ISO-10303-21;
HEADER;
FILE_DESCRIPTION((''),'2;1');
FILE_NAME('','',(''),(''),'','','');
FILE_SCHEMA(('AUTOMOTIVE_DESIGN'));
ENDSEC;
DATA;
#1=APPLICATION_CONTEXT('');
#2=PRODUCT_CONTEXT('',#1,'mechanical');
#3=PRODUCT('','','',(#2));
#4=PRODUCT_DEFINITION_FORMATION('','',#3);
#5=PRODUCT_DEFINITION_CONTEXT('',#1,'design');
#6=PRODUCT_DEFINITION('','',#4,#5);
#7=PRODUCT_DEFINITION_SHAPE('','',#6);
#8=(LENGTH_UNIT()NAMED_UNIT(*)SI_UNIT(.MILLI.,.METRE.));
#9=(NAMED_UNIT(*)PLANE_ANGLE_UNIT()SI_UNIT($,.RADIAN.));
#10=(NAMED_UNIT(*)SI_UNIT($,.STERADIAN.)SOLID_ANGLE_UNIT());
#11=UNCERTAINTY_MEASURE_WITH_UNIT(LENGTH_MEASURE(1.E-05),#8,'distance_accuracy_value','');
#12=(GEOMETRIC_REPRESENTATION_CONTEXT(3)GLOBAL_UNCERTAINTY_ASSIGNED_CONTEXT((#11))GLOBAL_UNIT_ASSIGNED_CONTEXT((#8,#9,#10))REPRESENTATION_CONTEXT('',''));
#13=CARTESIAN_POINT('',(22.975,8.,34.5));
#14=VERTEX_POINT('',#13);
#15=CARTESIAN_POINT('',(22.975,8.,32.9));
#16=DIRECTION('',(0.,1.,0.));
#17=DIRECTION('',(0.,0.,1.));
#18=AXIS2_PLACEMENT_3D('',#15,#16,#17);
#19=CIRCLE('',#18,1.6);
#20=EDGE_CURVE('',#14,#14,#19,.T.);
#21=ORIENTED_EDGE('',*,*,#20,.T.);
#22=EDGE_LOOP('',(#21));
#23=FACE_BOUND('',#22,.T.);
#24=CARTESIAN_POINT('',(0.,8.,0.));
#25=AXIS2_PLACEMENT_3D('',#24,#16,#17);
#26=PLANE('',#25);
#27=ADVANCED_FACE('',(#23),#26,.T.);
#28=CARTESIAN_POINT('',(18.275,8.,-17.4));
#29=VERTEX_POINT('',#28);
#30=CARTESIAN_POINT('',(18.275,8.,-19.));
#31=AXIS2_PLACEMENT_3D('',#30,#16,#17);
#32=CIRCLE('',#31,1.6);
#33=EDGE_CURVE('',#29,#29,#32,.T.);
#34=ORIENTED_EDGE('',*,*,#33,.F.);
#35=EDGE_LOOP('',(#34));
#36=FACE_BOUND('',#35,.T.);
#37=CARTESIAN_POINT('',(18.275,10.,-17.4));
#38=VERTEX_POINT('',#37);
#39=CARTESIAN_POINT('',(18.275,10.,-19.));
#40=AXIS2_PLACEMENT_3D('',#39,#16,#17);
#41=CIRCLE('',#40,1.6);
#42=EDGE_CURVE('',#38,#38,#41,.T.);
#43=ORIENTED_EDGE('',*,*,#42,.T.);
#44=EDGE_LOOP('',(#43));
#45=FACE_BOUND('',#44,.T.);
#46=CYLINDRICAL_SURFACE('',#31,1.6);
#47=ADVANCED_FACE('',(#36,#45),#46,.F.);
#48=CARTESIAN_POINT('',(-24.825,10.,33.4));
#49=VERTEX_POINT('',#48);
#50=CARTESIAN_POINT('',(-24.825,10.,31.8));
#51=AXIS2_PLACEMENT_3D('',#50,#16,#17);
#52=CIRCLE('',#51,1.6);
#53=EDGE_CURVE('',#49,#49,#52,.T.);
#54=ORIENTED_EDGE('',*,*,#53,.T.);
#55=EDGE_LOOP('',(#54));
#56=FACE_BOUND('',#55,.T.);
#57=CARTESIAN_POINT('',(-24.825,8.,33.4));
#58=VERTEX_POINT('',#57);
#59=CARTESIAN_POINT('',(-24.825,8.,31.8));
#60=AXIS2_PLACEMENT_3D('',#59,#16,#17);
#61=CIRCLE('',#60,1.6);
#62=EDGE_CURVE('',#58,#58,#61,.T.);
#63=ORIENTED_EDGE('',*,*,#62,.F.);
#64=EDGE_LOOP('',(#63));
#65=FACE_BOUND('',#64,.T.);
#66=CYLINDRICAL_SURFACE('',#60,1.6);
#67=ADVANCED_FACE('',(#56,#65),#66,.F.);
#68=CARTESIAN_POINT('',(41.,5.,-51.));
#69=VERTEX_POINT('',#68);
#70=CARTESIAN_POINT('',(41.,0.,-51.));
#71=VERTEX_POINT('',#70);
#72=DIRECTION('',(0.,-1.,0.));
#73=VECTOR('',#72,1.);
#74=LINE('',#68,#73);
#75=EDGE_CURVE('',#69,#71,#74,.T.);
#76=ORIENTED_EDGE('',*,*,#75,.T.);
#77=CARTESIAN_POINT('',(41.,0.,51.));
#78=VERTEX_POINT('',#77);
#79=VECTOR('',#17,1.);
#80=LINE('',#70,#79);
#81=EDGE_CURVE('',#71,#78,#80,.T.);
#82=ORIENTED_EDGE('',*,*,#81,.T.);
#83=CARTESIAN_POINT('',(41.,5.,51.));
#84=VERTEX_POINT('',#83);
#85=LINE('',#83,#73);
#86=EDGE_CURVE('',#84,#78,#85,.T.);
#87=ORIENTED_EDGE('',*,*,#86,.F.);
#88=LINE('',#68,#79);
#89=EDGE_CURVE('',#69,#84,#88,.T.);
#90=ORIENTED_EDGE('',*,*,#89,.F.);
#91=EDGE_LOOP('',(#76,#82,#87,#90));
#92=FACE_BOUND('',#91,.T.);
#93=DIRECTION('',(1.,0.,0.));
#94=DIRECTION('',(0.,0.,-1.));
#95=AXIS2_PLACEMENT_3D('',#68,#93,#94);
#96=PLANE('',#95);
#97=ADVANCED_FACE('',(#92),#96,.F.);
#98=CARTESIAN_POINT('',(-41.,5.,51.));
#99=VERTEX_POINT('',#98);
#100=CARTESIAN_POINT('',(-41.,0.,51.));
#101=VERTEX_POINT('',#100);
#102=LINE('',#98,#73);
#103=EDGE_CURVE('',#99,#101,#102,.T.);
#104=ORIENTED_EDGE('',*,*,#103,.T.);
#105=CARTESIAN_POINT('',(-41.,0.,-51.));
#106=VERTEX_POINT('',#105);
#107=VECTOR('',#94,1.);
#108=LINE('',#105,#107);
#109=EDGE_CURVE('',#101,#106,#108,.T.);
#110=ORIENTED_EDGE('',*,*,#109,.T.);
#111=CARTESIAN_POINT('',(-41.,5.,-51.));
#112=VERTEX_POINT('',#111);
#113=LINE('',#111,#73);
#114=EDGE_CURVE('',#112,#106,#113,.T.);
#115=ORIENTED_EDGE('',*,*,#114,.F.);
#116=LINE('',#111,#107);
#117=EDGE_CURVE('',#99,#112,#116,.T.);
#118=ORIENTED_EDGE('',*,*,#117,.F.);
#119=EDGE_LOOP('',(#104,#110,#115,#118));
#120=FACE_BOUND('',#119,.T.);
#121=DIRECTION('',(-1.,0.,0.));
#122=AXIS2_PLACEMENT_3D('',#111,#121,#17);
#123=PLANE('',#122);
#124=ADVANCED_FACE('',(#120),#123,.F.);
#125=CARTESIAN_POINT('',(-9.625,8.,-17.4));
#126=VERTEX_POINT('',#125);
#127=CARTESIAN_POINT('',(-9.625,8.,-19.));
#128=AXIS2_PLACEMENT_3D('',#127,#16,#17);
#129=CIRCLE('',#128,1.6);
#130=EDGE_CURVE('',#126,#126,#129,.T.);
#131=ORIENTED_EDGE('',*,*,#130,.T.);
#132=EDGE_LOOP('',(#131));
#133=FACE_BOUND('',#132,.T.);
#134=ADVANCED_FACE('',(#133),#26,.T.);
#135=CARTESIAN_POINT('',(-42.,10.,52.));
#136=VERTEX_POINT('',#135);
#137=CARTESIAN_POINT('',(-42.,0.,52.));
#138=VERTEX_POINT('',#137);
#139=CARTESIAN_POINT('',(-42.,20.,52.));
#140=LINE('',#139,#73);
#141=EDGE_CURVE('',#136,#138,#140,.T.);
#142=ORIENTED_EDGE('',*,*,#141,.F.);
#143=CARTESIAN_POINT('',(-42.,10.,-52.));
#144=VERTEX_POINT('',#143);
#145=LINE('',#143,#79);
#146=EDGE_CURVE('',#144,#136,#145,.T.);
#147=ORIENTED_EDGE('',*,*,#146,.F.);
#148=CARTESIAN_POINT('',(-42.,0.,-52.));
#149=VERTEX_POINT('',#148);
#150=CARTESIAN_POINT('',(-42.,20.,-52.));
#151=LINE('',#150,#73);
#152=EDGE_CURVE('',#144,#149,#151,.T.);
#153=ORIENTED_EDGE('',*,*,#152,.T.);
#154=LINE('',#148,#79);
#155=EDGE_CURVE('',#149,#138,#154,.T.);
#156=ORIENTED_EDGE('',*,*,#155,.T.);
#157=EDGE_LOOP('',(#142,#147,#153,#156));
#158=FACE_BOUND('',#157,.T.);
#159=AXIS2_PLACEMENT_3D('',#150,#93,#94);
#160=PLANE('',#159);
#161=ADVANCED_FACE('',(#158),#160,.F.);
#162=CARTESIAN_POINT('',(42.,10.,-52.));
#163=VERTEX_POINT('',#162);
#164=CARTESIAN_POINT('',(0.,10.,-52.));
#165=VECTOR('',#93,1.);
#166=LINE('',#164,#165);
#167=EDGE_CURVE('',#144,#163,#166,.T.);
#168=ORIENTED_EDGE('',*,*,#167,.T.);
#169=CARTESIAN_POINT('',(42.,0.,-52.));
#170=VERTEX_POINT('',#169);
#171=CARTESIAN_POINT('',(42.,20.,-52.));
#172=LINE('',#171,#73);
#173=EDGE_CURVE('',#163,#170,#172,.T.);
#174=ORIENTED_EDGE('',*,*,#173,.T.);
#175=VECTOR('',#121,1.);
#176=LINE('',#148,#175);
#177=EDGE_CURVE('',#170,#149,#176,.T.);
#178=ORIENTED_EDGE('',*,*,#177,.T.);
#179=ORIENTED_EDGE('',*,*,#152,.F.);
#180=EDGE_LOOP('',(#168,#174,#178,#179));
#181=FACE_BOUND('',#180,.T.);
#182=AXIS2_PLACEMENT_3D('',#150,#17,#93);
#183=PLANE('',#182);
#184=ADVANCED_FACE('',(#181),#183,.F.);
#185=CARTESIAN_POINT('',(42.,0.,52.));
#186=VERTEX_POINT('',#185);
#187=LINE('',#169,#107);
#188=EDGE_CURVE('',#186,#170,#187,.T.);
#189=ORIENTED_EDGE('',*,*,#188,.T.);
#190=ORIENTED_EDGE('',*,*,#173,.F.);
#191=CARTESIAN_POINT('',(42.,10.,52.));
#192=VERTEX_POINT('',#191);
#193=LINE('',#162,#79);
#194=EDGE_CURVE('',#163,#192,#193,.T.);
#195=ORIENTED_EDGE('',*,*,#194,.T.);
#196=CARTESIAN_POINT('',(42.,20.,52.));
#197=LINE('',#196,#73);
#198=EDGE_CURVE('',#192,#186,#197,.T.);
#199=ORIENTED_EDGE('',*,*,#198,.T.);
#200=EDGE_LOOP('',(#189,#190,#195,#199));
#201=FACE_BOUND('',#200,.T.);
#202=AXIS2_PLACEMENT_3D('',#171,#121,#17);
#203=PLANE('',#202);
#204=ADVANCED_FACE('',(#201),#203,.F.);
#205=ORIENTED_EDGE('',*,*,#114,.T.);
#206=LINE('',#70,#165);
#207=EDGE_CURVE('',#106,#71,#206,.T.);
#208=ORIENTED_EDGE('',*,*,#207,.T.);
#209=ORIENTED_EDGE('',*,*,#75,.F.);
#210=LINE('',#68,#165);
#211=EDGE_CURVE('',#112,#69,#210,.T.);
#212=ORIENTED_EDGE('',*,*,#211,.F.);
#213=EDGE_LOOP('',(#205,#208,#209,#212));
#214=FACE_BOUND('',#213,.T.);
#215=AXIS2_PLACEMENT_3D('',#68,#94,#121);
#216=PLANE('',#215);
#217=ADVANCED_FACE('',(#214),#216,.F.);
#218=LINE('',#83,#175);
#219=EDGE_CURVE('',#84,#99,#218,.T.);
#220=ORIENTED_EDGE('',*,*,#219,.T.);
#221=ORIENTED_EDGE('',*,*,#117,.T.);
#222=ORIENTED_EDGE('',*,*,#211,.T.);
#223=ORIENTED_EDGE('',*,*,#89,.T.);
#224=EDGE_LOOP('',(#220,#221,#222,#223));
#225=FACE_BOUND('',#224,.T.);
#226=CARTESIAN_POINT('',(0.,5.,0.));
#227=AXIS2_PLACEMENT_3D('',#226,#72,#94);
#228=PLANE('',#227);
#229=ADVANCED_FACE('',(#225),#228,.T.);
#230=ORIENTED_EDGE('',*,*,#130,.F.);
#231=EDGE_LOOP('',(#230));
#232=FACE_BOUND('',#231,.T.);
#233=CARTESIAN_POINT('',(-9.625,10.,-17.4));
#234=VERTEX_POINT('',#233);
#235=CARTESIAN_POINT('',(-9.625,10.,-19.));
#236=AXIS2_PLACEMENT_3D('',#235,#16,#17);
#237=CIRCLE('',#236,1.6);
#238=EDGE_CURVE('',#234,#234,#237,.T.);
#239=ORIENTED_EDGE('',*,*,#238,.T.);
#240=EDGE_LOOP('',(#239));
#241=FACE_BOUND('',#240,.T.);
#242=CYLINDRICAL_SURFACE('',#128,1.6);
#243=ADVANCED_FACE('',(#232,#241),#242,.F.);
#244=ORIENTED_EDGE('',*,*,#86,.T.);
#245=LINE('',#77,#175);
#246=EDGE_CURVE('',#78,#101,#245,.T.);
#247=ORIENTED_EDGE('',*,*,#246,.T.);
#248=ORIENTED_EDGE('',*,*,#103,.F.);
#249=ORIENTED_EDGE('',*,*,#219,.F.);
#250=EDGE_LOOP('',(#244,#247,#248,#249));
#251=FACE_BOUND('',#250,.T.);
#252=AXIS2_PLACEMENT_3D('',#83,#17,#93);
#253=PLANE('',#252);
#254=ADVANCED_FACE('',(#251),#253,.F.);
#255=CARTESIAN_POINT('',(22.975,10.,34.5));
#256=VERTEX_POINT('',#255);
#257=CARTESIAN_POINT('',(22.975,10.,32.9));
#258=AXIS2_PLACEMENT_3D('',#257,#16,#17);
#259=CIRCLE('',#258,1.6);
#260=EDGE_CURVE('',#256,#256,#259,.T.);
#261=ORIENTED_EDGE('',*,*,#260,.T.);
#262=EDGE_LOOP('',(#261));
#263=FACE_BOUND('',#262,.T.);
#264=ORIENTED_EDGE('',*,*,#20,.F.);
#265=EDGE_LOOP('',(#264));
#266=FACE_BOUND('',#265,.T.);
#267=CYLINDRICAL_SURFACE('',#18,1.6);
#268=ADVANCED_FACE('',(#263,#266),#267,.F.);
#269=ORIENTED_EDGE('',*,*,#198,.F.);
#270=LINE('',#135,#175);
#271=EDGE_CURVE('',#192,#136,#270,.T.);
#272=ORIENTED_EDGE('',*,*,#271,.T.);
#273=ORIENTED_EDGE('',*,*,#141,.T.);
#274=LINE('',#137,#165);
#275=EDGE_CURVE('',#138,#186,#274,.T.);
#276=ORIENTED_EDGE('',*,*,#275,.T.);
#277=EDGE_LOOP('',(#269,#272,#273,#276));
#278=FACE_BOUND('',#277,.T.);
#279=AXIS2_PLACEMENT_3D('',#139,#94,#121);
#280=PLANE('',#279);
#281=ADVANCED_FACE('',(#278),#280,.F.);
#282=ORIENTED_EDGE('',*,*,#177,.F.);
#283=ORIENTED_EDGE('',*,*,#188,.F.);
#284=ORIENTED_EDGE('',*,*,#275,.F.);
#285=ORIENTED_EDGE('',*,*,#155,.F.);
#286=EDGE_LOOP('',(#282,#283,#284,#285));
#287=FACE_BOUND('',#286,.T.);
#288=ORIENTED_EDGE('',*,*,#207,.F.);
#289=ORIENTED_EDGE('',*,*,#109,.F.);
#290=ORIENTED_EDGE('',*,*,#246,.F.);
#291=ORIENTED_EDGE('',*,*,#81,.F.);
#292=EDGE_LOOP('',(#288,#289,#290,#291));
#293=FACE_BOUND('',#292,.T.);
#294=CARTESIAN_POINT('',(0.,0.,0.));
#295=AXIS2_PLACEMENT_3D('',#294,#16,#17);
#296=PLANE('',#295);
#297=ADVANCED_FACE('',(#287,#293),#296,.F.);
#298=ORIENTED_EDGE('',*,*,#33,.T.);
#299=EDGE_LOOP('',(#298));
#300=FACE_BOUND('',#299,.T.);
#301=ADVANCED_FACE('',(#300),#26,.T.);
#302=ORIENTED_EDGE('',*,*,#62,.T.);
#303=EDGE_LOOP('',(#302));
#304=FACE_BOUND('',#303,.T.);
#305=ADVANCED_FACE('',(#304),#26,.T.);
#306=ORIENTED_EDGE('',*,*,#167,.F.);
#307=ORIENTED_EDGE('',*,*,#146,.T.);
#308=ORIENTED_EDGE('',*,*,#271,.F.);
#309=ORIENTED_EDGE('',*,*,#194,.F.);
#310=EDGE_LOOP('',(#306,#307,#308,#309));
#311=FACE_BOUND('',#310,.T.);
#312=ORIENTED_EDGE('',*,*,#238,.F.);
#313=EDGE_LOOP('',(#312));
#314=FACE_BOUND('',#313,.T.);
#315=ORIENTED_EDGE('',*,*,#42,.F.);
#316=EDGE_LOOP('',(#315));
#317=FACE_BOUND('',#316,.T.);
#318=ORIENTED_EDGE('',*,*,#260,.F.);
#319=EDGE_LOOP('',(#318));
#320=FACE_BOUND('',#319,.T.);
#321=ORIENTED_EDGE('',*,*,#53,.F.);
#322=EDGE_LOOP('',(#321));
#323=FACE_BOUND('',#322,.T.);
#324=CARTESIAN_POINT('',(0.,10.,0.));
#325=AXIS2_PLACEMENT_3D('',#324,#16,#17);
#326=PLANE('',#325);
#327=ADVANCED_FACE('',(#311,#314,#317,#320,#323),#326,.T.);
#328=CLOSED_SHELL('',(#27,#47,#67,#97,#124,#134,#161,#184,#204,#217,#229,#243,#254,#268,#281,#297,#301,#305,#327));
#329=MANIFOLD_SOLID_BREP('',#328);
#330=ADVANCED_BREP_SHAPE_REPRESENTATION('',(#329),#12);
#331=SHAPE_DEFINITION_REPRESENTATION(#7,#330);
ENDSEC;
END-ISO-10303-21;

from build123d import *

# Parameters (mm, degrees)
SKETCH1_W           = 84
SKETCH1_H           = 104
BOSS_EXTRUDE1_DEPTH = 20
SKETCH2_W           = 82
SKETCH2_H           = 102
CUT_EXTRUDE1_DEPTH  = 5
SKETCH3_W           = 74
SKETCH3_H           = 94
CUT_EXTRUDE2_DEPTH  = 10
SKETCH4_W           = 37.72
SKETCH4_H           = 10
CUT_EXTRUDE4_DEPTH  = 6
SKETCH6_W           = 15
SKETCH6_H           = 10
SKETCH6_W_2         = 10
CUT_EXTRUDE6_DEPTH  = 10
SKETCH7_R           = 1.6
CUT_EXTRUDE7_DEPTH  = 2
SKETCH9_W           = 104
SKETCH9_H           = 10
CUT_EXTRUDE8_DEPTH  = 85


with BuildPart() as part:
    # Sketch1 → Boss-Extrude1 (new body)
    with BuildSketch(Plane(origin=(0, 0, 0), x_dir=(1, 0, 0), z_dir=(0, 1, 0))):
        Rectangle(SKETCH1_W, SKETCH1_H)
    extrude(amount=BOSS_EXTRUDE1_DEPTH)

    # Sketch2 → Cut-Extrude1 (cut)
    with BuildSketch(Plane(origin=(0, 0, 0), x_dir=(-1, 0, 0), z_dir=(0, -1, 0))):
        Rectangle(SKETCH2_W, SKETCH2_H)
    extrude(amount=-CUT_EXTRUDE1_DEPTH, mode=Mode.SUBTRACT)

    # Sketch3 → Cut-Extrude2 (cut)
    with BuildSketch(Plane(origin=(0, 20, 0), x_dir=(1, 0, 0), z_dir=(0, 1, 0))):
        Rectangle(SKETCH3_W, SKETCH3_H)
    extrude(amount=-CUT_EXTRUDE2_DEPTH, mode=Mode.SUBTRACT)

    # Sketch4 → Cut-Extrude4 (cut, through all)
    with BuildSketch(Plane.XY.offset(-47)):
        with Locations((0, 15)):
            Rectangle(SKETCH4_W, SKETCH4_H)
    extrude(amount=-CUT_EXTRUDE4_DEPTH, mode=Mode.SUBTRACT)

    # Sketch6 → Cut-Extrude6 (cut)
    with BuildSketch(Plane(origin=(0, 0, 47), x_dir=(-1, 0, 0), z_dir=(0, 0, -1))):
        with Locations((11.15, 15)):
            Rectangle(SKETCH6_W, SKETCH6_H)
        with Locations((-17.35, 15)):
            Rectangle(SKETCH6_W_2, SKETCH6_H)
    extrude(amount=-CUT_EXTRUDE6_DEPTH, mode=Mode.SUBTRACT)

    # Sketch7 → Cut-Extrude7 (cut)
    with BuildSketch(Plane(origin=(0, 10, 0), x_dir=(1, 0, 0), z_dir=(0, 1, 0))):
        with Locations((18.275, 19)):
            Circle(SKETCH7_R)
        with Locations((-24.825, -31.8)):
            Circle(SKETCH7_R)
        with Locations((22.975, -32.9)):
            Circle(SKETCH7_R)
        with Locations((-9.625, 19)):
            Circle(SKETCH7_R)
    extrude(amount=-CUT_EXTRUDE7_DEPTH, mode=Mode.SUBTRACT)

    # Sketch9 → Cut-Extrude8 (cut, through all)
    with BuildSketch(Plane.ZY.offset(42)):
        with Locations((0, 15)):
            Rectangle(SKETCH9_W, SKETCH9_H)
    extrude(amount=-CUT_EXTRUDE8_DEPTH, mode=Mode.SUBTRACT)


solid = part.part
